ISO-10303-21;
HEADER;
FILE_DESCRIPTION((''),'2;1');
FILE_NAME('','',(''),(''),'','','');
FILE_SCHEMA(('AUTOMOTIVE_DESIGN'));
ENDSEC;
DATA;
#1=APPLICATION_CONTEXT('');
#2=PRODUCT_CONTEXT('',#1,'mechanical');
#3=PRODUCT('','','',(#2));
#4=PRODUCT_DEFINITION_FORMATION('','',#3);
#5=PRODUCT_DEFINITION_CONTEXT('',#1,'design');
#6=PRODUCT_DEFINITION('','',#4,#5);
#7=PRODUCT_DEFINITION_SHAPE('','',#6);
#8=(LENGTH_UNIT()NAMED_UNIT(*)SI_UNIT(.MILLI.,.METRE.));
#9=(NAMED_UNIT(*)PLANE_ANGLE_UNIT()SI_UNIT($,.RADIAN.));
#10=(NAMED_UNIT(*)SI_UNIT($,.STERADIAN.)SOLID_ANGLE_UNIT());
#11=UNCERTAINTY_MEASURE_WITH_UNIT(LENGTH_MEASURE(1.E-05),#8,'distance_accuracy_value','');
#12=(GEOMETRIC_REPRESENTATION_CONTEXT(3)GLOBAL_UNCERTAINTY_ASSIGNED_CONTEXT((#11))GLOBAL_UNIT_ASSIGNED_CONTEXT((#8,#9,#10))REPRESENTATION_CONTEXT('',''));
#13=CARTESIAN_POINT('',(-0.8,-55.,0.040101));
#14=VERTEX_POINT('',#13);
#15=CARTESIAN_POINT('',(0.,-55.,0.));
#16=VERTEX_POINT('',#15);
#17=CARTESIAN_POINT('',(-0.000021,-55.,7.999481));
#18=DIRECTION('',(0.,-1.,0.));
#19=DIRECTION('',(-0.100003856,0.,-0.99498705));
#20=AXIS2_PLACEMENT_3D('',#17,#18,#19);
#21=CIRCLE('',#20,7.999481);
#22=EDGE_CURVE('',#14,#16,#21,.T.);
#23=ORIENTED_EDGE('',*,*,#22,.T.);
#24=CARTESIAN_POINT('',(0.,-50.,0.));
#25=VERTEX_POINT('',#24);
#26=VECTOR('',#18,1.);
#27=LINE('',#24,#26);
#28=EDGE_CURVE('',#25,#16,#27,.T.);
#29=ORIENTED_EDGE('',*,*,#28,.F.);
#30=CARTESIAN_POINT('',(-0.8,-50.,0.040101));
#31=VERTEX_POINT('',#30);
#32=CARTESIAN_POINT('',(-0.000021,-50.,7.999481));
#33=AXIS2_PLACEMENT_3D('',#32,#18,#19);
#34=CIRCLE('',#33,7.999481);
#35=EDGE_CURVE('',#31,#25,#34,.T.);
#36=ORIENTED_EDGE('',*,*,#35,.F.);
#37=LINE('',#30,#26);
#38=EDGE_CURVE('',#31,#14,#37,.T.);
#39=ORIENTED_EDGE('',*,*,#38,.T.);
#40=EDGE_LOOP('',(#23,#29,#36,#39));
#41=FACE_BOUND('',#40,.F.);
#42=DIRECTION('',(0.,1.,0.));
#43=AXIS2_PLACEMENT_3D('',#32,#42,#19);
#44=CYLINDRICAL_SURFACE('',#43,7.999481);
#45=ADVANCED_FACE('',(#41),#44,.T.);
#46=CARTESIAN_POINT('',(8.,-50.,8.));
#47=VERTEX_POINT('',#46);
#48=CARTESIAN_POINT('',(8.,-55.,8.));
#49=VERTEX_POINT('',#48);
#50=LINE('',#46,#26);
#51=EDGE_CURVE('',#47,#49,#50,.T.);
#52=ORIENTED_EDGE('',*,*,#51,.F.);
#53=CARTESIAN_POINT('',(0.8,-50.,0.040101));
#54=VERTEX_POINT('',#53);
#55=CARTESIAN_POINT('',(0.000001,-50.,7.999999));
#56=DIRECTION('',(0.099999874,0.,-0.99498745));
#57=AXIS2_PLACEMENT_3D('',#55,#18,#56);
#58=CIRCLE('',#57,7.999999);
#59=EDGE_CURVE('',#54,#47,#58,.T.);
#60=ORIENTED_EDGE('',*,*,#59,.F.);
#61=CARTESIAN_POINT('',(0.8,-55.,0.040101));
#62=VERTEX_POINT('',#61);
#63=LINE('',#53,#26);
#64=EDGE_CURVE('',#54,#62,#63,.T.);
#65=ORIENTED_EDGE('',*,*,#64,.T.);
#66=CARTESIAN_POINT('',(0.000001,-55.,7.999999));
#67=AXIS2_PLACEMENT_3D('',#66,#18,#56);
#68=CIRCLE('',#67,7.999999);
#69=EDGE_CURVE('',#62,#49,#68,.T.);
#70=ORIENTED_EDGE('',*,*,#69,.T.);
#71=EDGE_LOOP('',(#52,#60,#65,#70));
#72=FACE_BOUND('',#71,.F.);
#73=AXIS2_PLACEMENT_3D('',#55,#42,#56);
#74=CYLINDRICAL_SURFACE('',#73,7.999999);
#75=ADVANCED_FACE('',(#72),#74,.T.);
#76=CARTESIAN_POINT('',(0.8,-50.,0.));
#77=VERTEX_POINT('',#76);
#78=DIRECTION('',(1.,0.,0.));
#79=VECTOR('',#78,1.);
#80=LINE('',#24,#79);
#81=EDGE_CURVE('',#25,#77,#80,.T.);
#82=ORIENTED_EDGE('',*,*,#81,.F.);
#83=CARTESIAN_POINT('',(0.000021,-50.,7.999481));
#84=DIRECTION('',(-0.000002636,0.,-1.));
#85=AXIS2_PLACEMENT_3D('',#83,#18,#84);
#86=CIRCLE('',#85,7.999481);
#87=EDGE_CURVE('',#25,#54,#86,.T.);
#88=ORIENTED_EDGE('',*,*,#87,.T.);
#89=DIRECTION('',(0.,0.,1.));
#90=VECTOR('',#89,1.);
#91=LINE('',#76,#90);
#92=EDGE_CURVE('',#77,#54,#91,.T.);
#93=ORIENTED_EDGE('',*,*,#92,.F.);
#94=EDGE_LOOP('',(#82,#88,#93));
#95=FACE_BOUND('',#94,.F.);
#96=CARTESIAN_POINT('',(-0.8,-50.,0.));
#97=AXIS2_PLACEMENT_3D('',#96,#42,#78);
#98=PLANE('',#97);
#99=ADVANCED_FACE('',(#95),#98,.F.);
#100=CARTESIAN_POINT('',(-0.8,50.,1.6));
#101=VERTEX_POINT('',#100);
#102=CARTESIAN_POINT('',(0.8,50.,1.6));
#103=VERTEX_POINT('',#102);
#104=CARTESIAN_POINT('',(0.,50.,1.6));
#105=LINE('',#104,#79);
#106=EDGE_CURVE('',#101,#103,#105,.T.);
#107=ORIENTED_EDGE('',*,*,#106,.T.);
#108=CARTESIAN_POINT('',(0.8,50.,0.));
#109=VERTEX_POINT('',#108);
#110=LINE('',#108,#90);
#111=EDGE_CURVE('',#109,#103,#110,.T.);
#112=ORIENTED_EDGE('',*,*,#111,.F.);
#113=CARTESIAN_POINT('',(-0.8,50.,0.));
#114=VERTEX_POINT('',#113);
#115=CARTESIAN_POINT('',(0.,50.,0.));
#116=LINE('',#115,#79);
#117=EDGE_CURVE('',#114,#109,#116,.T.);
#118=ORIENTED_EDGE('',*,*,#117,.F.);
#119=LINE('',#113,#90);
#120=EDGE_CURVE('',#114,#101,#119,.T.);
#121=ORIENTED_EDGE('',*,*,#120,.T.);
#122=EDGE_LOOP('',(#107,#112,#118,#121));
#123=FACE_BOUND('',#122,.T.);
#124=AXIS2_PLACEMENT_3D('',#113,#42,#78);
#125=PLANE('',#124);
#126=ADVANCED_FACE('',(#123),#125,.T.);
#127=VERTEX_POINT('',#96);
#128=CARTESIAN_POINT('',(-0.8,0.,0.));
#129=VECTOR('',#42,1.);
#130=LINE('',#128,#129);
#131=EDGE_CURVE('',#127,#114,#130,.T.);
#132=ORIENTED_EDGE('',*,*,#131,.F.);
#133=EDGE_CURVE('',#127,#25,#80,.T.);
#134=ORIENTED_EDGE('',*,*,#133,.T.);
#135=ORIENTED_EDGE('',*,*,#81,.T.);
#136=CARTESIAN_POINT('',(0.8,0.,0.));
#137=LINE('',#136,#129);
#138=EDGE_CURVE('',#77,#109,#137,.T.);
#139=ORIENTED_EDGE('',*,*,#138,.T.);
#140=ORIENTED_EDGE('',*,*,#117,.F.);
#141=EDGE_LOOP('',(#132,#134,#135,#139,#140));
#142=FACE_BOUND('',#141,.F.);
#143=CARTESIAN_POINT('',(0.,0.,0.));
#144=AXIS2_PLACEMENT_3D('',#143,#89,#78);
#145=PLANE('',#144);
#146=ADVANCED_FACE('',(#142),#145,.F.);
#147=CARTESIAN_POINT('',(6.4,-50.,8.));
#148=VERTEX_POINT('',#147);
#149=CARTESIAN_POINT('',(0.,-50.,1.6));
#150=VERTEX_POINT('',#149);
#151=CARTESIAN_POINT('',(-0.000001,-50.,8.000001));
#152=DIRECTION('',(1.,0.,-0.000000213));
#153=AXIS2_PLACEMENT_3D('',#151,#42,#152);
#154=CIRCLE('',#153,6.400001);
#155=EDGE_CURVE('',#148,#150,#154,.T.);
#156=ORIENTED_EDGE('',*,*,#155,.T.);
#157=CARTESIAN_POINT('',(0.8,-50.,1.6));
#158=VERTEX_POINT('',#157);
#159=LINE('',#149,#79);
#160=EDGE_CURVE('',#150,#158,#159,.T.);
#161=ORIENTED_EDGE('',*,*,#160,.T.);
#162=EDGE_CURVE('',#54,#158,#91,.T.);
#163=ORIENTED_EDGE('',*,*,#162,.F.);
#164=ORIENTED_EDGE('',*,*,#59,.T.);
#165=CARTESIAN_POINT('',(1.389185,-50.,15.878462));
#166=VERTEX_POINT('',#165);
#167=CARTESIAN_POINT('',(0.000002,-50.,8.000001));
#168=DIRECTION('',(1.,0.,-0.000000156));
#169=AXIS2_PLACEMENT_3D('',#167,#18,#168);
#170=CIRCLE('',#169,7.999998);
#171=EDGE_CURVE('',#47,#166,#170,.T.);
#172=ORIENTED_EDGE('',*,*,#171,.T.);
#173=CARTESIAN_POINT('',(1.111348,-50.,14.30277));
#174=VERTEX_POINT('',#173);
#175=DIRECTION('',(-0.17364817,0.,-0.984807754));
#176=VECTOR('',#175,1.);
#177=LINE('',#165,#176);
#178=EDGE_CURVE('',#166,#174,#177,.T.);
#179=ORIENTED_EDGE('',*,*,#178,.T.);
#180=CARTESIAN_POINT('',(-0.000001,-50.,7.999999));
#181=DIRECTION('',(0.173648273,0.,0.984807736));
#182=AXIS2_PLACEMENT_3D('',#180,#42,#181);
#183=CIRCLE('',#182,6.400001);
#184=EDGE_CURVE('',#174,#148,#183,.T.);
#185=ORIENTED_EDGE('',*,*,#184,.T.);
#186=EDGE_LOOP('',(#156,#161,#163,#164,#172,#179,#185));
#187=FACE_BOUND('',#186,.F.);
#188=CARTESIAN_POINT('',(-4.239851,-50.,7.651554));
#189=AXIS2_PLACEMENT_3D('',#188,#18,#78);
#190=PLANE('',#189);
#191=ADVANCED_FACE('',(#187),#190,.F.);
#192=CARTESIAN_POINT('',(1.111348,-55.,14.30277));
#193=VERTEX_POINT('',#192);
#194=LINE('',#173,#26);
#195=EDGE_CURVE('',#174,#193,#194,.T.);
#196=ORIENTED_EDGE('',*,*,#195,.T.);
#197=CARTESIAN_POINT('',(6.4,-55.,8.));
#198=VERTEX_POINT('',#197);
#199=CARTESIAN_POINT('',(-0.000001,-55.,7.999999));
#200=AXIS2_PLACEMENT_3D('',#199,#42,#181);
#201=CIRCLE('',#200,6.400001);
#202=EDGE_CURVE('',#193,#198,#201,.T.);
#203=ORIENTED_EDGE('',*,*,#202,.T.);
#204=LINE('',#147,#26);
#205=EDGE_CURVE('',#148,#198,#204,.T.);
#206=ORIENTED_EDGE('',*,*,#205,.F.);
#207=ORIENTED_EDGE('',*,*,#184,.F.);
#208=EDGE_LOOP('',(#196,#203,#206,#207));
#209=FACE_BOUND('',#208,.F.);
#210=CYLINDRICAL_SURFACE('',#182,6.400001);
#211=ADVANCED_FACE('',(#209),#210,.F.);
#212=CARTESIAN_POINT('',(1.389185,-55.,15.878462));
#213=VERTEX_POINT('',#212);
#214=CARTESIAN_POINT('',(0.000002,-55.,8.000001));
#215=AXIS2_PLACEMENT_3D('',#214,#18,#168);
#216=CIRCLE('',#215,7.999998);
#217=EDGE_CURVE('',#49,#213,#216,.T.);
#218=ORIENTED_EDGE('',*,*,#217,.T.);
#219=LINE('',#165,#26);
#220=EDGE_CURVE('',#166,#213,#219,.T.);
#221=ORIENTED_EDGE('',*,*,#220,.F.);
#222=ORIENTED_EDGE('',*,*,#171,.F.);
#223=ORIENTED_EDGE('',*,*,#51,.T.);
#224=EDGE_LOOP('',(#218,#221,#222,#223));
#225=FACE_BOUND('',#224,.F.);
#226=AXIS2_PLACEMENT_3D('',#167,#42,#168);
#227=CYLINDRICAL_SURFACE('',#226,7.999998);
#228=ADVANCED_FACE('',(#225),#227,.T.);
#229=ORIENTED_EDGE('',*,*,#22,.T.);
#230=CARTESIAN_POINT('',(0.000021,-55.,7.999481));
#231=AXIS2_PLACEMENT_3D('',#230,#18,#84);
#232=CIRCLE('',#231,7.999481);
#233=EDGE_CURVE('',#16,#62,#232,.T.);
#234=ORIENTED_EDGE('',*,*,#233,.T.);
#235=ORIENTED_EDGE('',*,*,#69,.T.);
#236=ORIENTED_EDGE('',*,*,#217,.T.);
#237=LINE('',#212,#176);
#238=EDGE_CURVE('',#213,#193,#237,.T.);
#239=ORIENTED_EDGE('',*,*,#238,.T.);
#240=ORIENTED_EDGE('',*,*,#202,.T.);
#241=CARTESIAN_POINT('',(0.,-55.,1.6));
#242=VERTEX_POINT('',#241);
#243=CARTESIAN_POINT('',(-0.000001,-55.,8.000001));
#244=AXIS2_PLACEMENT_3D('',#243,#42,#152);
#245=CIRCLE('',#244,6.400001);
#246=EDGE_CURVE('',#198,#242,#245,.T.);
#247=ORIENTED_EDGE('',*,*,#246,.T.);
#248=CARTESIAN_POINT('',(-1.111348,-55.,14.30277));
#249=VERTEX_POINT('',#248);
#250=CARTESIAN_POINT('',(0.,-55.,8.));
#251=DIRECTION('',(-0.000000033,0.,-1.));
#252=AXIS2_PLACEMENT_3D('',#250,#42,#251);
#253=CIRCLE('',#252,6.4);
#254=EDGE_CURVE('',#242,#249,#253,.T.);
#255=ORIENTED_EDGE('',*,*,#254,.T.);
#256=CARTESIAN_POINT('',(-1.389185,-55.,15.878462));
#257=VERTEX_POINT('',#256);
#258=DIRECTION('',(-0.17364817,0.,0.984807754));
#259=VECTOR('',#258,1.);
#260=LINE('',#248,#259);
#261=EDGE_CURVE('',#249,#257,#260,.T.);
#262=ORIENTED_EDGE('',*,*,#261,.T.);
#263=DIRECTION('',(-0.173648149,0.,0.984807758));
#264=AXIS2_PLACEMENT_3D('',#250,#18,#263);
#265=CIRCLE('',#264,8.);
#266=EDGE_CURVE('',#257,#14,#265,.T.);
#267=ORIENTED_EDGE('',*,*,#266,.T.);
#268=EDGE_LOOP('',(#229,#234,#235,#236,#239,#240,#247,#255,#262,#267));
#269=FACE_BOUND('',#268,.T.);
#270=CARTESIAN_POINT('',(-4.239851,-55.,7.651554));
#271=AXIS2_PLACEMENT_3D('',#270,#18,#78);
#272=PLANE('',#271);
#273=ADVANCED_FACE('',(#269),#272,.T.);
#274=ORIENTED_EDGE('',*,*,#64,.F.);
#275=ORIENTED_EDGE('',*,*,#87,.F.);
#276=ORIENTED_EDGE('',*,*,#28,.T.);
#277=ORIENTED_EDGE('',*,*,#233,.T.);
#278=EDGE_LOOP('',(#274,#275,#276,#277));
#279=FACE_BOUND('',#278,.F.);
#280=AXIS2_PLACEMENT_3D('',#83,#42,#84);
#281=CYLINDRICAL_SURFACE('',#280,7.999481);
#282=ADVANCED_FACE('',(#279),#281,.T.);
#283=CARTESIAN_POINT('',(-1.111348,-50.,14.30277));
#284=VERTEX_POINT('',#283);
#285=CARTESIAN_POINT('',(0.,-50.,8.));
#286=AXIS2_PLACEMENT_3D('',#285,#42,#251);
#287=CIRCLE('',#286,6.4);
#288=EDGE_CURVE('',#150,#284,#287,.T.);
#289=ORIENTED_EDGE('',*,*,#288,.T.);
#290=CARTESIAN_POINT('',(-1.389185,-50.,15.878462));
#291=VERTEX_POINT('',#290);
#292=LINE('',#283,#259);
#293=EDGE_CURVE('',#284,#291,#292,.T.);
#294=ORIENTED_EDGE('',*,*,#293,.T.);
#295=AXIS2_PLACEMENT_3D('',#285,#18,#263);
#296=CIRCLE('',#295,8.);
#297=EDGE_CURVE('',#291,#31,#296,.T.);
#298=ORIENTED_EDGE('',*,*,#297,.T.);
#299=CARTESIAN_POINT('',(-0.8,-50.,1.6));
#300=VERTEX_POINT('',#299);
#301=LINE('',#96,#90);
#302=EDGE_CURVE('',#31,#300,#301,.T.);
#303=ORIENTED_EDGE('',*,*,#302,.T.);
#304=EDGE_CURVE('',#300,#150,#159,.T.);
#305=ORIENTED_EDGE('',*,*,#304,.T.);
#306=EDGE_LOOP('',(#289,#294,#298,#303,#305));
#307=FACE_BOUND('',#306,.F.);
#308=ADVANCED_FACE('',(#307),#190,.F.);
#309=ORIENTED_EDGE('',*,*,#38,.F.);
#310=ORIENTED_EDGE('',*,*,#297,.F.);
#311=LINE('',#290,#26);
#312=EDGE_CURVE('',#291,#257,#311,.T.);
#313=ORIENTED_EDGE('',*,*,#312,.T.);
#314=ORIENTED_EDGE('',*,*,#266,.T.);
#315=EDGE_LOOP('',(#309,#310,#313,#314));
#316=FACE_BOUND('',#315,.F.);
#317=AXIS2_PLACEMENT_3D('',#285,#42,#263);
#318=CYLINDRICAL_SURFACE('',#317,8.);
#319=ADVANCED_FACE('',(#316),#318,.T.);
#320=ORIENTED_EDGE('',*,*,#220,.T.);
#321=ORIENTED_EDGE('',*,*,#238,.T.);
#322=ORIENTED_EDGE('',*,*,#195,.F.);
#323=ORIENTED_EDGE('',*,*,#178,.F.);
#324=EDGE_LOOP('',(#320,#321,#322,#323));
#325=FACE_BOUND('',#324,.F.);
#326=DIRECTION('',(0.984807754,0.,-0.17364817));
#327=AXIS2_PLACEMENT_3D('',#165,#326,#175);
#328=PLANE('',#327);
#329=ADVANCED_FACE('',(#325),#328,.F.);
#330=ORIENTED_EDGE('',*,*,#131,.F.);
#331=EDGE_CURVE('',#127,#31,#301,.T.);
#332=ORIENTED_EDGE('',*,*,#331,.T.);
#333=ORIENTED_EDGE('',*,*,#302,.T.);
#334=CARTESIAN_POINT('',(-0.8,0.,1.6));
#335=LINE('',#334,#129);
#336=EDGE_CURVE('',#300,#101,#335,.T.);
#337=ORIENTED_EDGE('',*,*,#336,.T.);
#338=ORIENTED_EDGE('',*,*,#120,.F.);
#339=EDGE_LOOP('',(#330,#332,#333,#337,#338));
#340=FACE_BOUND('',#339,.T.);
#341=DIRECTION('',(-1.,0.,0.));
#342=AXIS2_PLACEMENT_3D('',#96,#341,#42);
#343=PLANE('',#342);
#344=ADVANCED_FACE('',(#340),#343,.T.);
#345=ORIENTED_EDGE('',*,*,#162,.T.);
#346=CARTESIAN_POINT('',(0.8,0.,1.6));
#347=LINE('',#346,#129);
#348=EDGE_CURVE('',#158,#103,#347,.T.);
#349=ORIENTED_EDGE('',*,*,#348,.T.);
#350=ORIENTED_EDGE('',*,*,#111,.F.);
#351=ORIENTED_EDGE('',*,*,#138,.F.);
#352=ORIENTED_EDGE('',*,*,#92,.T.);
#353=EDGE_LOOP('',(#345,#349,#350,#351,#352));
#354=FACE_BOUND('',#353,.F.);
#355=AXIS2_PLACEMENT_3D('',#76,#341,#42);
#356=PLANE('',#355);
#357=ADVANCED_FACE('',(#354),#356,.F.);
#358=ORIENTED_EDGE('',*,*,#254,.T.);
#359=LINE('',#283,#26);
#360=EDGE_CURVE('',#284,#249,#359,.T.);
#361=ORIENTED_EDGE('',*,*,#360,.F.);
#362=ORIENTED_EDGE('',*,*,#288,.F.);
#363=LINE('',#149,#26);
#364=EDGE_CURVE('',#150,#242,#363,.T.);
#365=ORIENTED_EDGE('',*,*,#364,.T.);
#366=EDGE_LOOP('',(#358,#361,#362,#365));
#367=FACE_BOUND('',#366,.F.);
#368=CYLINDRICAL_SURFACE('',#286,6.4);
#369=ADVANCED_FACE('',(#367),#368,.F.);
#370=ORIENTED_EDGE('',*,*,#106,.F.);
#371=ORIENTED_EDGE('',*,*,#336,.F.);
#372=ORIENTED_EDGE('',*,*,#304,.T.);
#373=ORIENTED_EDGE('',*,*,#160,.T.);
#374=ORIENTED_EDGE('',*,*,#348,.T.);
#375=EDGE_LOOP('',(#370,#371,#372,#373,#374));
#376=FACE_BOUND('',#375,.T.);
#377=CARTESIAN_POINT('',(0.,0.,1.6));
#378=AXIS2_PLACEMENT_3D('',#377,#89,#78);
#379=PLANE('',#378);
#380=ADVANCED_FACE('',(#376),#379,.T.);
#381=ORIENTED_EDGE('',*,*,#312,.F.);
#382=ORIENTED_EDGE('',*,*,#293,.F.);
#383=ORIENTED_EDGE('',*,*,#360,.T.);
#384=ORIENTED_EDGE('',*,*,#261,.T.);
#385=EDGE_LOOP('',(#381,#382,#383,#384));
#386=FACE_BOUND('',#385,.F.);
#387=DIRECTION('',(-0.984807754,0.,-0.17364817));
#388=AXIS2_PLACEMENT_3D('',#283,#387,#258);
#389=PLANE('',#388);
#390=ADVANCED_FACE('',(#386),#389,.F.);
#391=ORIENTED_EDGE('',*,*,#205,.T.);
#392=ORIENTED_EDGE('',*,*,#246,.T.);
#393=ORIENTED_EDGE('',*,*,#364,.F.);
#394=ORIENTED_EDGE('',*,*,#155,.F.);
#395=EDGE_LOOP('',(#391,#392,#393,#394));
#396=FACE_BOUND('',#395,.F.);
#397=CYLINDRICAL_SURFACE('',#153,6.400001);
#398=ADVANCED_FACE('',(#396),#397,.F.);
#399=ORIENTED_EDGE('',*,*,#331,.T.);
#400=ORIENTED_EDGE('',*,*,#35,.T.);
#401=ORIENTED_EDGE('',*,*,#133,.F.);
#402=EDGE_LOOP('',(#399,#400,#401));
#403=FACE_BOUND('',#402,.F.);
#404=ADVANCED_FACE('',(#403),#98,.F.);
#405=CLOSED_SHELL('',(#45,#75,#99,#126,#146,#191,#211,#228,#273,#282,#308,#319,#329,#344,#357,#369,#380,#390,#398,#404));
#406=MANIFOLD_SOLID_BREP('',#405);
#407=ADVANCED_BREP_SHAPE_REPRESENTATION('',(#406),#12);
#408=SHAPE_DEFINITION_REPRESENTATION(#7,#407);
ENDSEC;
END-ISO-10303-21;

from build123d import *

# Parameters (mm, degrees)
F0_W     = 1.6
F0_H     = 100
F1_DEPTH = 1.6
F3_DEPTH = 5


with BuildPart() as f1:
    # F0 (on Top) → F1 (new body)
    with BuildSketch(Plane.XY):
        Rectangle(F0_W, F0_H)
    extrude(amount=F1_DEPTH)

    # F2 (on face) → F3 (join)
    with BuildSketch(Plane.XZ.offset(50)):
        with BuildLine():
            Line((-1.111348, 14.30277), (-1.389185, 15.878462))
            ThreePointArc((-1.389185, 15.878462), (-7.99447, 7.702607), (-0.8, 0.040101))
            Line((-0.8, 0.040101), (-0.8, 1.6))
            Line((-0.8, 1.6), (0, 1.6))
            ThreePointArc((0, 1.6), (-6.375646, 7.442203), (-1.111348, 14.30277))
        make_face()
        with BuildLine():
            ThreePointArc((0.8, 0.040101), (5.932959, 2.633437), (8, 8))
            ThreePointArc((8, 8), (6.128356, 13.142301), (1.389185, 15.878462))
            Line((1.389185, 15.878462), (1.111348, 14.30277))
            ThreePointArc((1.111348, 14.30277), (4.902684, 12.113841), (6.4, 8))
            ThreePointArc((6.4, 8), (4.525483, 3.474517), (0, 1.6))
            Line((0, 1.6), (0.8, 1.6))
            Line((0.8, 1.6), (0.8, 0.040101))
        make_face()
        with BuildLine():
            ThreePointArc((0, 0), (0.400502, 0.010031), (0.8, 0.040101))
            Line((0.8, 0.040101), (0.8, 1.6))
            Line((0.8, 1.6), (0, 1.6))
            Line((0, 1.6), (-0.8, 1.6))
            Line((-0.8, 1.6), (-0.8, 0.040101))
            ThreePointArc((-0.8, 0.040101), (-0.400502, 0.010031), (0, 0))
        make_face()
    extrude(amount=F3_DEPTH)


solid = f1.part
